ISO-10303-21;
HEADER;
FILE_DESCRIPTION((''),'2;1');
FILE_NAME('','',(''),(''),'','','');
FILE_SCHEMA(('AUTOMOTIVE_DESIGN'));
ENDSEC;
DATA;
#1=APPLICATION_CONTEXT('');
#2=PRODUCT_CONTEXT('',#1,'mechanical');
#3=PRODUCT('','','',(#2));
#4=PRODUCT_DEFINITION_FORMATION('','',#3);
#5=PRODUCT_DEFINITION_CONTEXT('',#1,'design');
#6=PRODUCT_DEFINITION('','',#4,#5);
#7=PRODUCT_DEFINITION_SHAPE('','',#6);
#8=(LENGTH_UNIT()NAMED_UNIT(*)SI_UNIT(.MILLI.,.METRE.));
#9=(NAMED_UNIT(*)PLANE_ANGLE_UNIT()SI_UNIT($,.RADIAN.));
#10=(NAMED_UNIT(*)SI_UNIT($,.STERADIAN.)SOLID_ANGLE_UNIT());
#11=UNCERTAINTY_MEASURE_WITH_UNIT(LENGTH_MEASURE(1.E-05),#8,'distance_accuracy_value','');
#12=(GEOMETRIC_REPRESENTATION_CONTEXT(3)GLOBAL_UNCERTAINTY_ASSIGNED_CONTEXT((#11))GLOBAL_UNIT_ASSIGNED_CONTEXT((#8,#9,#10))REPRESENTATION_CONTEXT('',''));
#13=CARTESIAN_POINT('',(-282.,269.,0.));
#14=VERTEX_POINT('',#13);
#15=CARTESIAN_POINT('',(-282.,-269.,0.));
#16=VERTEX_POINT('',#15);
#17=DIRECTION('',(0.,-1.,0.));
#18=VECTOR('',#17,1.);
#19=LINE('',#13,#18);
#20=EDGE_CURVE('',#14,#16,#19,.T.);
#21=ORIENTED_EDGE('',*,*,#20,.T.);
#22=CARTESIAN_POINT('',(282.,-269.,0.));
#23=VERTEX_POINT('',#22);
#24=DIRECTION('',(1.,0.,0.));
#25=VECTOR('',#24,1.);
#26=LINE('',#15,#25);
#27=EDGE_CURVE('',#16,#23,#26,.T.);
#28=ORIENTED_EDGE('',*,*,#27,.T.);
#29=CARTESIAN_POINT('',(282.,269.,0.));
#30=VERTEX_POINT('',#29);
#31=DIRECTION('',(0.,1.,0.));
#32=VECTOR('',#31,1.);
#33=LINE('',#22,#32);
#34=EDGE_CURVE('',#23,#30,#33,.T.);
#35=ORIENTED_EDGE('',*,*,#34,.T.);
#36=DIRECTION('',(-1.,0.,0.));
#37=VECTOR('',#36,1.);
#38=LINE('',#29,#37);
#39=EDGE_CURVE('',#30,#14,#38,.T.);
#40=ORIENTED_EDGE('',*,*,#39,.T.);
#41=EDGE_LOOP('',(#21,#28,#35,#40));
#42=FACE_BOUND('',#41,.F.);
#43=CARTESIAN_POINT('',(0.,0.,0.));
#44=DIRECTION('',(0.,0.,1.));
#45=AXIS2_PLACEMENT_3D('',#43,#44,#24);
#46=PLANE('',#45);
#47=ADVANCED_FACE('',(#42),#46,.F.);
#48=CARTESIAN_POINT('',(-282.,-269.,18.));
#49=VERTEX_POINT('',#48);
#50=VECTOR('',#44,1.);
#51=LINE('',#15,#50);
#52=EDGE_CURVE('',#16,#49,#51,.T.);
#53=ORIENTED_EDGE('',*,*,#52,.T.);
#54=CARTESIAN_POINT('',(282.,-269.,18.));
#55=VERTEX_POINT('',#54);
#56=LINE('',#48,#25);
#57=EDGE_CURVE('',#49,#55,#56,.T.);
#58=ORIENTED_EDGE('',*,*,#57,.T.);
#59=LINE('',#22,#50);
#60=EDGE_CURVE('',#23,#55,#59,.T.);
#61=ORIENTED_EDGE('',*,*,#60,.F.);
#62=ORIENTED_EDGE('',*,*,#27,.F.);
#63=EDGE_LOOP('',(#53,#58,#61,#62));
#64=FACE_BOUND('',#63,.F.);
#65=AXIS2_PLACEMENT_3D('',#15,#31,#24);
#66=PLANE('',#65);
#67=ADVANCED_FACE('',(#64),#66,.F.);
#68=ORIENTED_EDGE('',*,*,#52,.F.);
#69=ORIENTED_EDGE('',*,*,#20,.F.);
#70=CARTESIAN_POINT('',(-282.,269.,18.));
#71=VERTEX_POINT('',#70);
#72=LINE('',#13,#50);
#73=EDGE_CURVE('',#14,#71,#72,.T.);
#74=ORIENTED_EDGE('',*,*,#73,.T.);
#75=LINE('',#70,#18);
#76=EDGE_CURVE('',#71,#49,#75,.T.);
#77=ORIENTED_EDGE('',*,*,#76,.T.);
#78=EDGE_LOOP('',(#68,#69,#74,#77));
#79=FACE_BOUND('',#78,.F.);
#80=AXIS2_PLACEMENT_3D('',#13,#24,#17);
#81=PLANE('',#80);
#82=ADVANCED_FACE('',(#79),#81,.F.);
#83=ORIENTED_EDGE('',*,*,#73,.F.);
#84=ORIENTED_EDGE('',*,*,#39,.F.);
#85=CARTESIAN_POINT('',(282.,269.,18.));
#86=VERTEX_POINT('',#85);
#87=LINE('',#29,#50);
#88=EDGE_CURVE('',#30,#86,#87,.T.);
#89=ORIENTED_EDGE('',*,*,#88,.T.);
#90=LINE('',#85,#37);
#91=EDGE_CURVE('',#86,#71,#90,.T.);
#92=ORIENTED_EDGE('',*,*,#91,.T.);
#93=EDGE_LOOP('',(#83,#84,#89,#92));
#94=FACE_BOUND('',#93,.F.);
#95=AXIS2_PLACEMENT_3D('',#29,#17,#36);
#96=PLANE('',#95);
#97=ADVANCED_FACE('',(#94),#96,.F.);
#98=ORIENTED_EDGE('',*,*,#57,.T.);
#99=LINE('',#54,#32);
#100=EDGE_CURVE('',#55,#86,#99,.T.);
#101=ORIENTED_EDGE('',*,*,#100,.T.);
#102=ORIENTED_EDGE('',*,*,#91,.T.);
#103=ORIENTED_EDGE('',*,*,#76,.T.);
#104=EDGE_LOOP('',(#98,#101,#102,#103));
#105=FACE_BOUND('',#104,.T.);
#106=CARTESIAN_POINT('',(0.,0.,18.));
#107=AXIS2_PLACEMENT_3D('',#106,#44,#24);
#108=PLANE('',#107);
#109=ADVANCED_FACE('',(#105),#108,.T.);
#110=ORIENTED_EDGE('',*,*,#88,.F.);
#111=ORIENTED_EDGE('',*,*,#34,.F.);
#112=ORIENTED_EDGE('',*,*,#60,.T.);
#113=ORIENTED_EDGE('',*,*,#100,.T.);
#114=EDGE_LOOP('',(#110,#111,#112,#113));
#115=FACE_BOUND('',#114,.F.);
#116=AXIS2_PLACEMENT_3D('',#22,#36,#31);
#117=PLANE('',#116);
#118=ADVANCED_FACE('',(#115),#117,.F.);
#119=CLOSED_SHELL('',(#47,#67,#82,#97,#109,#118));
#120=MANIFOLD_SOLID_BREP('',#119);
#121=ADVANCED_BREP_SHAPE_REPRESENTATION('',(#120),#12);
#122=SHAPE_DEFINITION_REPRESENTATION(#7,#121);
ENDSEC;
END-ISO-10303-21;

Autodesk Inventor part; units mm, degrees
ref_plane "YZ Plane" through (0, 0, 0) normal (1, 0, 0) x (0, 1, 0)
ref_plane "XZ Plane" through (0, 0, 0) normal (0, 1, 0) x (-1, 0, 0)
ref_plane "XY Plane" through (0, 0, 0) normal (0, 0, 1) x (1, 0, 0)
sketch "Sketch1" plane through (0, 0, 0) normal (0, 0, 1) x (1, 0, 0)
  line L0 (-282, -269) -> (282, -269)
  line L1 (282, -269) -> (282, 269)
  line L2 (282, 269) -> (-282, 269)
  line L3 (-282, 269) -> (-282, -269)
  line L4 (-282, -269) -> (282, 269) construction
  line L5 (282, -269) -> (-282, 269) construction
  point P0 (0, 0)
  dimension "d0" = 564
  dimension "d1" = 538
extrude "Extrusion1" add sketch "Sketch1" along normal blind 18
properties part number "tyl"
